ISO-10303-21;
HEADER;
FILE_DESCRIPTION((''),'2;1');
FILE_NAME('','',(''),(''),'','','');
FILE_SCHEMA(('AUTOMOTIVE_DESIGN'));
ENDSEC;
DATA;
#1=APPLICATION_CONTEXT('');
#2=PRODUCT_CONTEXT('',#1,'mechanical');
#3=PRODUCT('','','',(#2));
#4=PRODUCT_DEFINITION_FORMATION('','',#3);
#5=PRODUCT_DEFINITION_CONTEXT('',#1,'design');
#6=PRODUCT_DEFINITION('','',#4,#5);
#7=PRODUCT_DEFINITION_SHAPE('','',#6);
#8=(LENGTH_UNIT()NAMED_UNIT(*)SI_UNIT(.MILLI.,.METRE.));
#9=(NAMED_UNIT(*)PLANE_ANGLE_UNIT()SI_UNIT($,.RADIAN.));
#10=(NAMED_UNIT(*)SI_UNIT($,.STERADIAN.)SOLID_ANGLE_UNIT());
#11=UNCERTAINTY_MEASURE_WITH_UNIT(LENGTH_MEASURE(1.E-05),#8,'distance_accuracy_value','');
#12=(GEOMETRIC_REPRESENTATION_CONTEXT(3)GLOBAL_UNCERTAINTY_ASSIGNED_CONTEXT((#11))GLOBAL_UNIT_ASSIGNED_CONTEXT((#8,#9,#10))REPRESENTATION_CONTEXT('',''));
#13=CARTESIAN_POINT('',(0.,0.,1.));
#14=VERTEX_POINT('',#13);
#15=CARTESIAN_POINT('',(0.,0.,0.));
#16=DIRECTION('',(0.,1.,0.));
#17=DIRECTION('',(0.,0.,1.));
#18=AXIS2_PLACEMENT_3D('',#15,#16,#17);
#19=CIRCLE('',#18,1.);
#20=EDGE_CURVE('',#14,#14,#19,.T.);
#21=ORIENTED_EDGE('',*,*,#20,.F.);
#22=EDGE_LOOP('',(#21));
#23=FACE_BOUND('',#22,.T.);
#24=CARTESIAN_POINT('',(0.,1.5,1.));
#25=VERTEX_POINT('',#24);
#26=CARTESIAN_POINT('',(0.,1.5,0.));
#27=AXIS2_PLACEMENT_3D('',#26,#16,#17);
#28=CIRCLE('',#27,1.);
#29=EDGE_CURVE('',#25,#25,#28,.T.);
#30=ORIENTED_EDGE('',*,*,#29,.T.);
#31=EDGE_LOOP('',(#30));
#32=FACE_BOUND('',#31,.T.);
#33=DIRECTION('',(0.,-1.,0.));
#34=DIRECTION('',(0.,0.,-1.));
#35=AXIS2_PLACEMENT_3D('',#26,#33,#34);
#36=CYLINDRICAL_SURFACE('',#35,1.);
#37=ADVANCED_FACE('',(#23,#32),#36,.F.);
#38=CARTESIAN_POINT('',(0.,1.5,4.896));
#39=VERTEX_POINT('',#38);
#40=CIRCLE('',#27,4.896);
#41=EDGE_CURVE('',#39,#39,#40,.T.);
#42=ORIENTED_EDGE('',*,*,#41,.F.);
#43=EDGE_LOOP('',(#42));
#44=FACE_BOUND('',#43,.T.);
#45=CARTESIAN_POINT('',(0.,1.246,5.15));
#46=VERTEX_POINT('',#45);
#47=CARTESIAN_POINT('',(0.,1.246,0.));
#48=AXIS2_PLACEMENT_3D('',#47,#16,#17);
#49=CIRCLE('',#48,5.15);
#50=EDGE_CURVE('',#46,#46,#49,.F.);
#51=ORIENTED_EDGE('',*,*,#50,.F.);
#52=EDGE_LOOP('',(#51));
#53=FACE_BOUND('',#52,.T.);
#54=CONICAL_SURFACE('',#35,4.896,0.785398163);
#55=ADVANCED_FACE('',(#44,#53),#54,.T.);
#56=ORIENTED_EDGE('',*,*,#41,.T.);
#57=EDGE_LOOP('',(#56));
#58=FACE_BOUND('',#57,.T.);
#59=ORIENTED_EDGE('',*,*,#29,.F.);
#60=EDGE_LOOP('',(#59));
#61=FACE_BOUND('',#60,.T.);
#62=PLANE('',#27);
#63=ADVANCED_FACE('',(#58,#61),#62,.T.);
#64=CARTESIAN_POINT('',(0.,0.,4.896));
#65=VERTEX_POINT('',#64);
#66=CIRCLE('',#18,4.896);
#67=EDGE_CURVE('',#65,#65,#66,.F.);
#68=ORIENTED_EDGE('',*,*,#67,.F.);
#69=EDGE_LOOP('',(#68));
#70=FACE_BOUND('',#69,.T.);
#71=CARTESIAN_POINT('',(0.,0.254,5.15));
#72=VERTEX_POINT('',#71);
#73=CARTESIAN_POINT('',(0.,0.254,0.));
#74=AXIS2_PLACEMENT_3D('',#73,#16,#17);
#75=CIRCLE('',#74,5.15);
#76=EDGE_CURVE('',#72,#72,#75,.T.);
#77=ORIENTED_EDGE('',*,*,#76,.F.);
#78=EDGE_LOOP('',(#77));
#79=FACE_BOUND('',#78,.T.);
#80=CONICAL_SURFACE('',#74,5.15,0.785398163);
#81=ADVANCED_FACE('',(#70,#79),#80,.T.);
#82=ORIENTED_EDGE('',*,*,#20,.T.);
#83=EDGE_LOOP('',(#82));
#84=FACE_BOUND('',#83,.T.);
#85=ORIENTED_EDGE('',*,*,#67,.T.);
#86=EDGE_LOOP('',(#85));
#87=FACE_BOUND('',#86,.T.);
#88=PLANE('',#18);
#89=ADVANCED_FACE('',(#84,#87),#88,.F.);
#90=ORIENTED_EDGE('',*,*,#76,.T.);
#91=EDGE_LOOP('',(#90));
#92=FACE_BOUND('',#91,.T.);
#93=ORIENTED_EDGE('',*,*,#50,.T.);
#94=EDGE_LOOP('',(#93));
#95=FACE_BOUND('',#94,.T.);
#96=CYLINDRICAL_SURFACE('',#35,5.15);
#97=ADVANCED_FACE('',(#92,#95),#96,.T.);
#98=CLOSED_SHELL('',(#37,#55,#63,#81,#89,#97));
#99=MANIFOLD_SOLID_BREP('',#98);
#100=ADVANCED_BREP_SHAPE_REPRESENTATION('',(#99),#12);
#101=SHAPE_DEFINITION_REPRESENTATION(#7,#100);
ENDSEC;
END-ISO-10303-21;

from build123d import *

# Parameters (mm, degrees)
SKETCH1_R       = 5.15
SKETCH1_R_2     = 1
BED_WHEEL_DEPTH = 1.5
CHAMFER1_SIZE   = 0.254


with BuildPart() as part:
    # Sketch1 → Bed Wheel (new body)
    with BuildSketch(Plane(origin=(0, 0, 0), x_dir=(1, 0, 0), z_dir=(0, 1, 0))):
        with Locations(Location((0, 0, 0), (0, 0, 270))):
            Circle(SKETCH1_R)
        with Locations(Location((0, 0, 0), (0, 0, 270))):
            Circle(SKETCH1_R_2, mode=Mode.SUBTRACT)
    extrude(amount=BED_WHEEL_DEPTH)

    # Chamfer1
    chamfer1_edges = [part.edges().sort_by_distance(p)[0] for p in [
        (0, 0, -5.15),
        (0, 1.5, -5.15),
    ]]
    chamfer(chamfer1_edges, length=CHAMFER1_SIZE)


solid = part.part
